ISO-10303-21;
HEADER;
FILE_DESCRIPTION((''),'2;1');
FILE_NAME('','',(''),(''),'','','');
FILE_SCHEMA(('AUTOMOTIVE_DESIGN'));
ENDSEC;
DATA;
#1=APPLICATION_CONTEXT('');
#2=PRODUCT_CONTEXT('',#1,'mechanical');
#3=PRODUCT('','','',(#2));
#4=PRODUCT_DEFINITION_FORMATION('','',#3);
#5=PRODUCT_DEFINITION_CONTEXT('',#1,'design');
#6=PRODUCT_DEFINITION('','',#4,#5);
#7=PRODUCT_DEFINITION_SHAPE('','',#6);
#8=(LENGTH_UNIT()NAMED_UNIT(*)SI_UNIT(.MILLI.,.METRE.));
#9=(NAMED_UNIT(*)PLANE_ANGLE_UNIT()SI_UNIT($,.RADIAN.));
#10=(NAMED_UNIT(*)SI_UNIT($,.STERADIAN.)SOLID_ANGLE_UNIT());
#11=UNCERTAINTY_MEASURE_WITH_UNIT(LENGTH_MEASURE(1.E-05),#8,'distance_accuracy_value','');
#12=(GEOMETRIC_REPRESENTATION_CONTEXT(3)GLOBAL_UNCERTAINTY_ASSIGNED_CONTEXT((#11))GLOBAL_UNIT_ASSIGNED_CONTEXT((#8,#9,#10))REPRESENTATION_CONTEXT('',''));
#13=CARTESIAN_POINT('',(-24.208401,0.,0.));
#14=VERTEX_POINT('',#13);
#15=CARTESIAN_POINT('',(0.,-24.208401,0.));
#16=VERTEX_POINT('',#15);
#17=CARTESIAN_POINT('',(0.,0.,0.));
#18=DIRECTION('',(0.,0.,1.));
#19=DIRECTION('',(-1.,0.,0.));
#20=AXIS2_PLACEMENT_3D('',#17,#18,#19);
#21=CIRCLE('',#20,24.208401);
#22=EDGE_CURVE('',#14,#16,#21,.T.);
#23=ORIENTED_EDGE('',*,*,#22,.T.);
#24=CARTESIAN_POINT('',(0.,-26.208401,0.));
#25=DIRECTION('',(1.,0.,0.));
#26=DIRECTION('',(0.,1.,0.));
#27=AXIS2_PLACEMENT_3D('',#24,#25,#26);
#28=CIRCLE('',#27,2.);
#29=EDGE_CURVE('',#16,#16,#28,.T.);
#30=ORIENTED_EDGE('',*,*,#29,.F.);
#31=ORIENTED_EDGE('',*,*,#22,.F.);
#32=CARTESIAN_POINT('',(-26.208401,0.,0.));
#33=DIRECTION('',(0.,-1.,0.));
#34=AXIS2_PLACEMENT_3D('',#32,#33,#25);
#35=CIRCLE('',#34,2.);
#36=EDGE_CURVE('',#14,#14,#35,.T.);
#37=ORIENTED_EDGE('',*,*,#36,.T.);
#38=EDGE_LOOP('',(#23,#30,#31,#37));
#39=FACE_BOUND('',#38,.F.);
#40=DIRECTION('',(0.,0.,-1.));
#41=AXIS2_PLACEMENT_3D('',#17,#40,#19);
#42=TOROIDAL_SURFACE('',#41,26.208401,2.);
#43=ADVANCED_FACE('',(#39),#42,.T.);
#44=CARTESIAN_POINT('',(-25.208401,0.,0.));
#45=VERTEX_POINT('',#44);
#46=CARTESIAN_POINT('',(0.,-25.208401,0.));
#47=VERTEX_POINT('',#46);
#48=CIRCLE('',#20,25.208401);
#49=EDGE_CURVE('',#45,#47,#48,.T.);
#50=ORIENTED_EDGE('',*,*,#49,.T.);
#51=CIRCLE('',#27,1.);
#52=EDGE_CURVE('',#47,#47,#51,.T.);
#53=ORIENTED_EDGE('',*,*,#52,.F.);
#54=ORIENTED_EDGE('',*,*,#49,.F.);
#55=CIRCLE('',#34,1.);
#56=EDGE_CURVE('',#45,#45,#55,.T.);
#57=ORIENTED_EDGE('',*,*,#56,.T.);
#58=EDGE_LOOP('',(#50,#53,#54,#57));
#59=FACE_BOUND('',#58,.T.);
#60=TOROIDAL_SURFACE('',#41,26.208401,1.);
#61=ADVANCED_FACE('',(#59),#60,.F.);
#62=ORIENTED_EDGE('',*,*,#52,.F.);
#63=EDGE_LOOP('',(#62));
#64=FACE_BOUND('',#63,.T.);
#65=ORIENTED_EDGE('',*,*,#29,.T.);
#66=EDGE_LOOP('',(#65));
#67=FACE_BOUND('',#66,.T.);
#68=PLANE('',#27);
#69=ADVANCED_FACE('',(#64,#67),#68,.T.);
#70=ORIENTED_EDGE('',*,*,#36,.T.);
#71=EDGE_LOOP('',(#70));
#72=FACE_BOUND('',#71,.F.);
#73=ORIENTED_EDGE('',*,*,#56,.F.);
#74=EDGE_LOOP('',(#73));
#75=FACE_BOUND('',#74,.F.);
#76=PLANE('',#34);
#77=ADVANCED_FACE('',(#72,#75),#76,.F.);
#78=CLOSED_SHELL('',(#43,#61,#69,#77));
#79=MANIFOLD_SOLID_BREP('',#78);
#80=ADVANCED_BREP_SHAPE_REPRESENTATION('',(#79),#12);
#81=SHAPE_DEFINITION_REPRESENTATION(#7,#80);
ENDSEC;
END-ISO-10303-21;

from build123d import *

# Parameters (mm, degrees)
F0_R     = 2
F0_R_2   = 1
F2_ANGLE = 90


with BuildPart() as f2:
    # F0 (on Front) → F2 (revolve)
    with BuildSketch(Plane.XZ):
        with Locations((-26.2084007263, 0)):
            Circle(F0_R)
        with Locations((-26.2084007263, 0)):
            Circle(F0_R_2, mode=Mode.SUBTRACT)
    revolve(axis=Axis((0, 0, 0), (0, 0, 1)), revolution_arc=F2_ANGLE)


solid = f2.part
